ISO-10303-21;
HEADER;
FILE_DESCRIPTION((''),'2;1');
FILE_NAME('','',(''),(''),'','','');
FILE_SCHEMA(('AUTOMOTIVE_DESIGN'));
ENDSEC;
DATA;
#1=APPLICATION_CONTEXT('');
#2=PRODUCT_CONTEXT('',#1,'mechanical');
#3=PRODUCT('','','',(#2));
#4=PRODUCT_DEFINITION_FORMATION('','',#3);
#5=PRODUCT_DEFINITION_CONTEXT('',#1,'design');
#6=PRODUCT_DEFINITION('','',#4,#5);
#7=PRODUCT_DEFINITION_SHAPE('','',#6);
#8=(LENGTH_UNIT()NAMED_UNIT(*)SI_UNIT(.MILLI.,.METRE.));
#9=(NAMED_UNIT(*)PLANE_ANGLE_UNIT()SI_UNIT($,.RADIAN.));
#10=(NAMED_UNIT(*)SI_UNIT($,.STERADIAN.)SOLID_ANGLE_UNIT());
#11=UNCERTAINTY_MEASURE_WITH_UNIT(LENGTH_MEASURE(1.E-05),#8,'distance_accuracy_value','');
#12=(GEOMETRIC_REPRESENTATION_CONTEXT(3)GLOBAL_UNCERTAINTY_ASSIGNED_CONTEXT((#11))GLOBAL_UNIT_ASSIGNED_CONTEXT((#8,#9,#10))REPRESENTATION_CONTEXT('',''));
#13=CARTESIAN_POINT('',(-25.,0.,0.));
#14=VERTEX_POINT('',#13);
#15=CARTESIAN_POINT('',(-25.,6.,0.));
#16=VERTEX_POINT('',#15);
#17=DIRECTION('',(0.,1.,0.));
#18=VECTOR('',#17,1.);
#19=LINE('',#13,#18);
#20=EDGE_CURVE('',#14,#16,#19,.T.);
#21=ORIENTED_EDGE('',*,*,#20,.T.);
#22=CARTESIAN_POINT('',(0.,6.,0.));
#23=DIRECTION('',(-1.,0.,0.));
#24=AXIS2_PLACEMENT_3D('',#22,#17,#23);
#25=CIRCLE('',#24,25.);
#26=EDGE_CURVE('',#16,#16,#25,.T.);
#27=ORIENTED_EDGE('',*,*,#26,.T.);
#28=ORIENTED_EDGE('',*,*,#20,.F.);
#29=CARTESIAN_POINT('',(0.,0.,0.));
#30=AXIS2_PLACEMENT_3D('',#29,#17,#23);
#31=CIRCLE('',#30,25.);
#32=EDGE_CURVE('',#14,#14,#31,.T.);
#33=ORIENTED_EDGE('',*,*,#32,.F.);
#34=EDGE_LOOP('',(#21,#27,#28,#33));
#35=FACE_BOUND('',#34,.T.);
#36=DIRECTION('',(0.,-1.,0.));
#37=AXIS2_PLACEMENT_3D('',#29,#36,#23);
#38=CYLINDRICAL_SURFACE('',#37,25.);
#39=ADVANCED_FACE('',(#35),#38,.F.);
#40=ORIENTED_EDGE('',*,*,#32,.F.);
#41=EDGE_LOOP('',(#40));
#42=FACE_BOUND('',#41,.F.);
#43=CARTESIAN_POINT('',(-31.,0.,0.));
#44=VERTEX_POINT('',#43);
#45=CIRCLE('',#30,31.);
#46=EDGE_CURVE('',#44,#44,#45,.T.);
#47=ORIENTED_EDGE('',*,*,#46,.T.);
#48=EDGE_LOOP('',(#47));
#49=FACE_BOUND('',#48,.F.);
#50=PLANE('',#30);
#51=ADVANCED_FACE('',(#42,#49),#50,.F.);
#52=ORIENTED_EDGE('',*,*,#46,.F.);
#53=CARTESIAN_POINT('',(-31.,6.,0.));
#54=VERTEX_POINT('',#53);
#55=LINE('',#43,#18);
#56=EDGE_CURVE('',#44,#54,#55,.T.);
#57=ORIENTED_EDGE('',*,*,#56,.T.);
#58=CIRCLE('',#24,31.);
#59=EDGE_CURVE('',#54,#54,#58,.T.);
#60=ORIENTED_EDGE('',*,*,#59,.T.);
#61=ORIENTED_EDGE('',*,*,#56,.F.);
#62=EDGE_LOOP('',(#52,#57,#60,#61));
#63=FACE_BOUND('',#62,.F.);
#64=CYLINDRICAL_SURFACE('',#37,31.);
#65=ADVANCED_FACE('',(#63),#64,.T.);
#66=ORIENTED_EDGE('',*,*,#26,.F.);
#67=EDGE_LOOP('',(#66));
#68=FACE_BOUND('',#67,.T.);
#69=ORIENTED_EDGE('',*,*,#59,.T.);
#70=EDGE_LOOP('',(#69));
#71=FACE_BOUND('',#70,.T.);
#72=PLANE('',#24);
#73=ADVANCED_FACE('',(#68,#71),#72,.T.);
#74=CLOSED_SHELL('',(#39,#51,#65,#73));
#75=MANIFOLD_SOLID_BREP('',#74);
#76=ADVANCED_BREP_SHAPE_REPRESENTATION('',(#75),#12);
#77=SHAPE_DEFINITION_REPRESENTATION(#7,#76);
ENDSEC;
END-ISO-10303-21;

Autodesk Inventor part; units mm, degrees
ref_plane "YZ Plane" through (0, 0, 0) normal (1, 0, 0) x (0, 1, 0)
ref_plane "XZ Plane" through (0, 0, 0) normal (0, 1, 0) x (-1, 0, 0)
ref_plane "XY Plane" through (0, 0, 0) normal (0, 0, 1) x (1, 0, 0)
sketch "Sketch1" plane through (0, 0, 0) normal (0, 1, 0) x (-1, 0, 0)
  circle A0 centre (0, 0) radius 31
  circle A1 centre (0, 0) radius 25
  dimension "d0" = 62
  dimension "d1" = 50
extrude "Extrusion1" add sketch "Sketch1" along normal blind 6
properties part number "Bearing"
